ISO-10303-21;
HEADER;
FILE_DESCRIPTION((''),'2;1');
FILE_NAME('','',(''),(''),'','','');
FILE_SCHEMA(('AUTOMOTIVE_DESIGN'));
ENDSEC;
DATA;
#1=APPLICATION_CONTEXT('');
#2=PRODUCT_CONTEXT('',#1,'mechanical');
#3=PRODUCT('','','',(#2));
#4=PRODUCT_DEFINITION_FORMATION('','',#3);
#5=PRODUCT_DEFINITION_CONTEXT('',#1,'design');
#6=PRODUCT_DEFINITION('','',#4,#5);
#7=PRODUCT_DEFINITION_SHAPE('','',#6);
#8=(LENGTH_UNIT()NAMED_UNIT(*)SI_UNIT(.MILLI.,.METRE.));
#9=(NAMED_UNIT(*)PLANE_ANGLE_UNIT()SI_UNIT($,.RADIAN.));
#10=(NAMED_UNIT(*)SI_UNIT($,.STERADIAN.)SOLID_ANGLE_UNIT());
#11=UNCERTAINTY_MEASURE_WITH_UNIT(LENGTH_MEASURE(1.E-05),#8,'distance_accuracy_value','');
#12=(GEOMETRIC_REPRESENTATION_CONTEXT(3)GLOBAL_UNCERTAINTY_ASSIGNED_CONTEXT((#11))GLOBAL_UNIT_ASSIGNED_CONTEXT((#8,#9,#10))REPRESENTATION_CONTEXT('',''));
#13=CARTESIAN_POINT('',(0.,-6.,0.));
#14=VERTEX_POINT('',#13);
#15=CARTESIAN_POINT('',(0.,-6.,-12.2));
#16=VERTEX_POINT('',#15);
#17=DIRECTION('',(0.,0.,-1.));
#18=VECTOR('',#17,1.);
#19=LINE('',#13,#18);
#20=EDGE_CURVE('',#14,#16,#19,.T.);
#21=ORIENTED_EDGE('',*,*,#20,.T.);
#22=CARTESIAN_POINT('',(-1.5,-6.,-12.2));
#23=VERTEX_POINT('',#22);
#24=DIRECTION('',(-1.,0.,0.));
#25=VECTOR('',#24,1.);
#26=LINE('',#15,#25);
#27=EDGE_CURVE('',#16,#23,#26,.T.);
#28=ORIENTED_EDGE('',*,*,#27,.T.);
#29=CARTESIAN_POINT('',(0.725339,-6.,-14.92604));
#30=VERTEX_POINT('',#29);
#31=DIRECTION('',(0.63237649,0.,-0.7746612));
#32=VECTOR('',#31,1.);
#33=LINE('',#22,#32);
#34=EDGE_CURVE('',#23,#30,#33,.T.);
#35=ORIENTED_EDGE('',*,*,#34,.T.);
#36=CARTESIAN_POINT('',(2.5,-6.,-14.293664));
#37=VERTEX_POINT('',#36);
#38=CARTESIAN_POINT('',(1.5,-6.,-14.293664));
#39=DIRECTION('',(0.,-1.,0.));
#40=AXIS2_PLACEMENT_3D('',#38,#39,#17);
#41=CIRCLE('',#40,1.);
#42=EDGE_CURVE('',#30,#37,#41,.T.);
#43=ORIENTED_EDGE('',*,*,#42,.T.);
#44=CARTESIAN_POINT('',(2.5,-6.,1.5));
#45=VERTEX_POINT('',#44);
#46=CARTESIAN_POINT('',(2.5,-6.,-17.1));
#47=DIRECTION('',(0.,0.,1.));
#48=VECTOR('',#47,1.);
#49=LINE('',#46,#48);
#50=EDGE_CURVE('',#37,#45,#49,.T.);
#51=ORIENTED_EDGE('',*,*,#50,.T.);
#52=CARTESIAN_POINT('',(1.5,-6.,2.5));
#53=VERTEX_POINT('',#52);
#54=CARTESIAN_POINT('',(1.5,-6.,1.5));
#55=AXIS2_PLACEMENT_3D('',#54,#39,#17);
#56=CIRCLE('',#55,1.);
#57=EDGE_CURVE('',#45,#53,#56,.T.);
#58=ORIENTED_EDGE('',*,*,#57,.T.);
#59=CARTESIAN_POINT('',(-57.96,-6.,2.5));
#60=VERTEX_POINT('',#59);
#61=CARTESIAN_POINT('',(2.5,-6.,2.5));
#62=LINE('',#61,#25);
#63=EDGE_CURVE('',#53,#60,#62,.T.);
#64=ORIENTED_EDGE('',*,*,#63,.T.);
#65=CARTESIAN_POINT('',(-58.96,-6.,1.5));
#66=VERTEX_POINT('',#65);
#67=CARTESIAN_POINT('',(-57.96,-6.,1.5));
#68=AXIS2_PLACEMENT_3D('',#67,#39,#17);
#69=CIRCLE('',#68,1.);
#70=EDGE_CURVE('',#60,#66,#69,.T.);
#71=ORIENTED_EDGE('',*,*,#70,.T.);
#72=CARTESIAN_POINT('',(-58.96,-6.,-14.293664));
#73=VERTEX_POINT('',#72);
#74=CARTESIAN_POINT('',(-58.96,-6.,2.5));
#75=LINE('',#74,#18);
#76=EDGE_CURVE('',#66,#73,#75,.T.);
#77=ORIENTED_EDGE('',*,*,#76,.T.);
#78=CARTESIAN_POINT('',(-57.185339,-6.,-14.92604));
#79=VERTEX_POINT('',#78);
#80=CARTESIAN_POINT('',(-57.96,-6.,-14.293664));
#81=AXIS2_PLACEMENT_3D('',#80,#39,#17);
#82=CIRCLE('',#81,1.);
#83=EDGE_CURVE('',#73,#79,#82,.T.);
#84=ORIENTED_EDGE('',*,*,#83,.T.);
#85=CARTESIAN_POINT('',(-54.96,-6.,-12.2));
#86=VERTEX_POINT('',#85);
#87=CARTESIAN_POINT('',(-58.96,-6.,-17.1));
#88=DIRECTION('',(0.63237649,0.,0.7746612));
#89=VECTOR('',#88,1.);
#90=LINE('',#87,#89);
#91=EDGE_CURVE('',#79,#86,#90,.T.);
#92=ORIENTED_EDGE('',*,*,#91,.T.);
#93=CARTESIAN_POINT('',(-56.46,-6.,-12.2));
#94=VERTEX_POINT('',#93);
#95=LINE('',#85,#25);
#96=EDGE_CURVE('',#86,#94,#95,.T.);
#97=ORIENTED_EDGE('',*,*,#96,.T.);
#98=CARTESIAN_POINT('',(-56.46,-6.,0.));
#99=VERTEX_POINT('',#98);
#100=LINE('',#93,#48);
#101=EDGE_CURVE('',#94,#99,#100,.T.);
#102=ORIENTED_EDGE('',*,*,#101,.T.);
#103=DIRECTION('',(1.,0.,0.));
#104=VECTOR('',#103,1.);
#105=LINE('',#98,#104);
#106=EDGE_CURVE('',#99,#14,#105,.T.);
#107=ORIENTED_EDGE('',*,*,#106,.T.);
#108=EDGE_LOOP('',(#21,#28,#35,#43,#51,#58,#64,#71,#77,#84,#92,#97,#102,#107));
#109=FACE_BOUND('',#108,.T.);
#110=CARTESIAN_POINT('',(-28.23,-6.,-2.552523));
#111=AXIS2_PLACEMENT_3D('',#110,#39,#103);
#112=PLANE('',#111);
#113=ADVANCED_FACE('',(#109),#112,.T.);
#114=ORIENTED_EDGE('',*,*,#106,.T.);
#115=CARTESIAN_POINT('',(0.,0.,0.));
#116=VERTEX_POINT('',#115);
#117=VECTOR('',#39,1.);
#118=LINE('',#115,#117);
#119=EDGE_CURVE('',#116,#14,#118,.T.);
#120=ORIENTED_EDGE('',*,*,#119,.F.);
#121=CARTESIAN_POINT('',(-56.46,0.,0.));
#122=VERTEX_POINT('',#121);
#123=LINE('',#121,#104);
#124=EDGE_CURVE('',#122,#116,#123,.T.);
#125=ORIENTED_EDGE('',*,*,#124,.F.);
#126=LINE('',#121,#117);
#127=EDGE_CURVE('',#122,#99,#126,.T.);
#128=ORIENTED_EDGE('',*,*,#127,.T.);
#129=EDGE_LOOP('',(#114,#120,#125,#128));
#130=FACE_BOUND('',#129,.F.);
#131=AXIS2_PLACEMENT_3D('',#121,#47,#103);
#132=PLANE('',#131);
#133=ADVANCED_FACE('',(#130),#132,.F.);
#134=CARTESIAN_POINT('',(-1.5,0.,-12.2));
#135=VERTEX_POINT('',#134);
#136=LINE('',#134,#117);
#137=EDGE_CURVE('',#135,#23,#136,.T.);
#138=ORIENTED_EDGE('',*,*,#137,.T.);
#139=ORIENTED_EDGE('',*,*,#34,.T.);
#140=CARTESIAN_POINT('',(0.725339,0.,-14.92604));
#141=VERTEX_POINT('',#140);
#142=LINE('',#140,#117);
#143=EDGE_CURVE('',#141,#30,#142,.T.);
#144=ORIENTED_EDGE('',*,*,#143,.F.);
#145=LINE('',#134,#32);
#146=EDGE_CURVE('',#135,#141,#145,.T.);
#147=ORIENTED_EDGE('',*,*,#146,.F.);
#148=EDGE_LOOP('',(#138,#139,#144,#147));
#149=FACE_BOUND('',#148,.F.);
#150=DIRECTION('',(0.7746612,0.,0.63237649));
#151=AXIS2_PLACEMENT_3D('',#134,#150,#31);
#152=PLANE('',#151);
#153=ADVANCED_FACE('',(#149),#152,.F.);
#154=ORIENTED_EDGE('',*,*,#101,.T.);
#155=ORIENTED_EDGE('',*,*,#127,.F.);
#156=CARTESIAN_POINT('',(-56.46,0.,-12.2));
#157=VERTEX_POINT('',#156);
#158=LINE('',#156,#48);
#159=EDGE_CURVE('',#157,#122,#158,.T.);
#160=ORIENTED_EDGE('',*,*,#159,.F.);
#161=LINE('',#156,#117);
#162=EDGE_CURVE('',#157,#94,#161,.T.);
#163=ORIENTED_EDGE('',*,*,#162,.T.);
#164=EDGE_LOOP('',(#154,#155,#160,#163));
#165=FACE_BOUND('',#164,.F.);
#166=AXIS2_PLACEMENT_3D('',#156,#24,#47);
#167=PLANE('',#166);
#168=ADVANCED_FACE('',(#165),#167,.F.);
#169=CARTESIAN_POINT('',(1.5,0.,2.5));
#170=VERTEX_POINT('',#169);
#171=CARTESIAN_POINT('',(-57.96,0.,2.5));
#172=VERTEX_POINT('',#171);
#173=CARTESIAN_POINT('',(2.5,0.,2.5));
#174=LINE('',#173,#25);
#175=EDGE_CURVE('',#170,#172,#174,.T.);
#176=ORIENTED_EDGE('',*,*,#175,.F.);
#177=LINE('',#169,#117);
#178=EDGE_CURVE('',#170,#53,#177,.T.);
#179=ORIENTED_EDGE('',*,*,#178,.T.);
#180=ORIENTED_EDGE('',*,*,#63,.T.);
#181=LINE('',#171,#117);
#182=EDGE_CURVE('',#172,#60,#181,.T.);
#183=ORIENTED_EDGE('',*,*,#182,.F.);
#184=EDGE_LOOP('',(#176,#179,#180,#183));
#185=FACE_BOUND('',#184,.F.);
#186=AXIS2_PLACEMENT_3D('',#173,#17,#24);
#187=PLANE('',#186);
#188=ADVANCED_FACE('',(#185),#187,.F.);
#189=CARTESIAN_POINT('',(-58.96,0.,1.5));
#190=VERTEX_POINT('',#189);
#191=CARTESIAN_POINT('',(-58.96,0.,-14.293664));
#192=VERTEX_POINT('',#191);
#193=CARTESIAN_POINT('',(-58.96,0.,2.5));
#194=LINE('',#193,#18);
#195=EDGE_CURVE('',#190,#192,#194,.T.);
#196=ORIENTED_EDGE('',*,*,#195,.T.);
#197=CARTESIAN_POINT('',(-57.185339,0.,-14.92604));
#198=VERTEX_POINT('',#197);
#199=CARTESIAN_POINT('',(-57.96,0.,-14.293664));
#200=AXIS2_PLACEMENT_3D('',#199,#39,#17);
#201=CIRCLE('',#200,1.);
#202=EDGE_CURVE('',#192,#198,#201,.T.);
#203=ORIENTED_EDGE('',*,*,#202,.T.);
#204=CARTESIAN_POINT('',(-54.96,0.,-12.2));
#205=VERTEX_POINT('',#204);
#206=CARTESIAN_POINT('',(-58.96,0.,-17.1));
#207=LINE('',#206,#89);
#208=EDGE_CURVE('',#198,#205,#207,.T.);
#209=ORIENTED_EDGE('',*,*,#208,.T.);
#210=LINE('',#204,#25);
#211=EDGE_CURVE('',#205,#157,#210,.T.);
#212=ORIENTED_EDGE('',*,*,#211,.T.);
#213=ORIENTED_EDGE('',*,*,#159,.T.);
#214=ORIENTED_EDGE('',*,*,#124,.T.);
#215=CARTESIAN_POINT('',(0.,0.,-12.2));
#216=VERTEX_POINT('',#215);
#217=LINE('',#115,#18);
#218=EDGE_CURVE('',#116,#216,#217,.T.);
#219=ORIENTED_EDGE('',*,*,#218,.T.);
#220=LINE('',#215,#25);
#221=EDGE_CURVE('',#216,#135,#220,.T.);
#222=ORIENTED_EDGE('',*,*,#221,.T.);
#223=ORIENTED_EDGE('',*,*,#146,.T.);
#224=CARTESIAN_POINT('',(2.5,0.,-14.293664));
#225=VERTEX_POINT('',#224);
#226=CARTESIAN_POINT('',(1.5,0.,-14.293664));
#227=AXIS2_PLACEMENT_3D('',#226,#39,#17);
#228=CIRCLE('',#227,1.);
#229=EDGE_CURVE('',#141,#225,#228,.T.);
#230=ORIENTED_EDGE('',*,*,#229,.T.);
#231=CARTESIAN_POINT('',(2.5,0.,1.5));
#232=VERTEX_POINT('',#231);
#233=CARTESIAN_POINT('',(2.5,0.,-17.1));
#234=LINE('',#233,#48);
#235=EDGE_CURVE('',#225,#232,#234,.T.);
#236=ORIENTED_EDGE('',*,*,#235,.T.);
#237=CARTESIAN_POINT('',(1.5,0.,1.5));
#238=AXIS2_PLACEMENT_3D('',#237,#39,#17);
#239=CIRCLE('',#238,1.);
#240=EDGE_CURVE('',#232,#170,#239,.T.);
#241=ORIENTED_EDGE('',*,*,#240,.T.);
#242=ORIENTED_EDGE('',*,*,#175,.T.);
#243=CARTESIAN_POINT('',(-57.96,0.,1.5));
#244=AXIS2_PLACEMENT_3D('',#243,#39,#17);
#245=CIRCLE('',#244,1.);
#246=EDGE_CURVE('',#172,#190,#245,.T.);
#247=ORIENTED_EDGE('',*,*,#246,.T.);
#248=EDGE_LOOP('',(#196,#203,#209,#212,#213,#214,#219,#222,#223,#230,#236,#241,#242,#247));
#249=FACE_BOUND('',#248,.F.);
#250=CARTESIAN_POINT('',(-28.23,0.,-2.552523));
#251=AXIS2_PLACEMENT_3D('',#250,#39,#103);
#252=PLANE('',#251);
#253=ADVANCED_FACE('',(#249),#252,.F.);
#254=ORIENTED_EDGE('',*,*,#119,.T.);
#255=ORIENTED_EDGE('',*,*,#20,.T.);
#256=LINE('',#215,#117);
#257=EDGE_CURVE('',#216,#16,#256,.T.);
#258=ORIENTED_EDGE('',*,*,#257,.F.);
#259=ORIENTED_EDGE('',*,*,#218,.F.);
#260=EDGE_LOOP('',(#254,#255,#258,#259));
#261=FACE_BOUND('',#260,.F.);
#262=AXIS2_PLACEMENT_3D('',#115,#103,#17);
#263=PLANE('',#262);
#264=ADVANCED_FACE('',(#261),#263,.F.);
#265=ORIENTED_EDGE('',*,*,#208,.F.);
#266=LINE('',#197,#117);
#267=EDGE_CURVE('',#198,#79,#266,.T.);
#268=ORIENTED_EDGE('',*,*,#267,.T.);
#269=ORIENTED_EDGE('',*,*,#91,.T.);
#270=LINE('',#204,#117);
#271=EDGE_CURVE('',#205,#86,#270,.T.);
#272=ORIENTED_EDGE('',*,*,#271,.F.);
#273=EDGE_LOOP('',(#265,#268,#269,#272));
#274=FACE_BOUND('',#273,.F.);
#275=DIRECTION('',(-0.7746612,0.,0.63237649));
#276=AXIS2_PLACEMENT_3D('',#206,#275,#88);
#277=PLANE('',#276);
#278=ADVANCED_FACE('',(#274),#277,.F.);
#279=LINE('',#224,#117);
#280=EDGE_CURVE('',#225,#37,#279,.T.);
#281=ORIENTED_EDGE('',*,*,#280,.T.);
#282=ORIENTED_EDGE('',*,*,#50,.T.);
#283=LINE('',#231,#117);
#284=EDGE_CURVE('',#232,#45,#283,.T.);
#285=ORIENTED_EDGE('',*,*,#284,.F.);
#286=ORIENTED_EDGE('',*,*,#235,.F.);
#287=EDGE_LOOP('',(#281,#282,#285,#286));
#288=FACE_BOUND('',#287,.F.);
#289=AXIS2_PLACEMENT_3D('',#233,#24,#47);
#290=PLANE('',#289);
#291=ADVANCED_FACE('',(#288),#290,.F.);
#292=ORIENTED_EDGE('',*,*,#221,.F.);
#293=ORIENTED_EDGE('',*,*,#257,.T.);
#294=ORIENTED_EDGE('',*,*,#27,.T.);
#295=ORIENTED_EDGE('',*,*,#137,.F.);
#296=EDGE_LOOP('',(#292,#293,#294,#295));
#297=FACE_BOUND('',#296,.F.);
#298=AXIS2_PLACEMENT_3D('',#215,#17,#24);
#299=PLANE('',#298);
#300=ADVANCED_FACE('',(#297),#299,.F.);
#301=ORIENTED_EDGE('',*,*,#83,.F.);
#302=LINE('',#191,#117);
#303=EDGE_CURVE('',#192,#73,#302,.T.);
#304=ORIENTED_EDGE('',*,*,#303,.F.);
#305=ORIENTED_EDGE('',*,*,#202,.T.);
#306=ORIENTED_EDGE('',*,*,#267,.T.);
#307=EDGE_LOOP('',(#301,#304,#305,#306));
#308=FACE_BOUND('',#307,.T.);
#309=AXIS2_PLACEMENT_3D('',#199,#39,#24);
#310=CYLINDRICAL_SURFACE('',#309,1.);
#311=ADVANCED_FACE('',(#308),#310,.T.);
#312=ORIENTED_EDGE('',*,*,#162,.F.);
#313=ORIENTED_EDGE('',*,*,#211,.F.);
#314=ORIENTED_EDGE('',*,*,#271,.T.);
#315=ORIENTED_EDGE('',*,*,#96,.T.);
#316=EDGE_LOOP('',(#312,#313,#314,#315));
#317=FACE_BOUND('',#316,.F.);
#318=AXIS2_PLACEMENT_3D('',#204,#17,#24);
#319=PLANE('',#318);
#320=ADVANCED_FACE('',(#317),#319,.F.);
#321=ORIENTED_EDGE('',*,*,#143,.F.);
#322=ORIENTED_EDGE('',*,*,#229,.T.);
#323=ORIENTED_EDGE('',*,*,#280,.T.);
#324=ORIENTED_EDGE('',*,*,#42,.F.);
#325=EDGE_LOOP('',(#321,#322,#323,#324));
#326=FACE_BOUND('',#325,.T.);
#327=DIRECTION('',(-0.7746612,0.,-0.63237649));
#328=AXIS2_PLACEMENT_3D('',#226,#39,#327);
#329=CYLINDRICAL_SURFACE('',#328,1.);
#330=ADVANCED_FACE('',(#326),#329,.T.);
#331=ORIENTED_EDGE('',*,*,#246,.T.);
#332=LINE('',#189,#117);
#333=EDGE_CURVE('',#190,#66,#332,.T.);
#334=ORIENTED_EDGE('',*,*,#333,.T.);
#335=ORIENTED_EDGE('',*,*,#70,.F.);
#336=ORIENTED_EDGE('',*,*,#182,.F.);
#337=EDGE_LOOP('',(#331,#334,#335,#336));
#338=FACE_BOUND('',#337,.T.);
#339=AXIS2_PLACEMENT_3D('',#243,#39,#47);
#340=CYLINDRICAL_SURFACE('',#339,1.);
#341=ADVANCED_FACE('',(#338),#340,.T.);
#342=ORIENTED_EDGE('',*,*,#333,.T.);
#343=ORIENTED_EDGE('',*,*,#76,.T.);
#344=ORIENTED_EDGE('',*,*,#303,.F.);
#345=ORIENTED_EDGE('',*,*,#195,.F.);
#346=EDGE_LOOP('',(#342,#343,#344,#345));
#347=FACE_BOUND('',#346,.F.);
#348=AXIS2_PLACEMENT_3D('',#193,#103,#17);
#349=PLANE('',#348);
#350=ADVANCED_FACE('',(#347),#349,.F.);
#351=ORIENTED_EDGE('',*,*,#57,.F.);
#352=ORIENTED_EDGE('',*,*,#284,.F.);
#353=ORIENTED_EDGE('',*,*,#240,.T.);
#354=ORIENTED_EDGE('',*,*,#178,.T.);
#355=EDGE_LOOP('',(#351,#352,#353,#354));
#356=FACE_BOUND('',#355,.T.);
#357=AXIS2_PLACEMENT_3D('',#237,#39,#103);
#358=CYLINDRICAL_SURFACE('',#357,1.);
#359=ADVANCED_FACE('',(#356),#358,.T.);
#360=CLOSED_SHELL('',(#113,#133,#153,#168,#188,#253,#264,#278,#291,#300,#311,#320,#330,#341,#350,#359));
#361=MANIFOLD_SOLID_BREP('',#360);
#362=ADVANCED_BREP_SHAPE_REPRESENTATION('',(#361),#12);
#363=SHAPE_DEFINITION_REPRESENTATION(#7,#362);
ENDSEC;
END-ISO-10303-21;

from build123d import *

# Parameters (mm, degrees)
F1_DEPTH = 6
F2_R     = 1


with BuildPart() as f1:
    # F0 (on Front) → F1 (new body)
    with BuildSketch(Plane.XZ):
        Polygon((0, 0), (0, -12.2), (-1.5, -12.2), (2.5, -17.1), (2.5, 0), (2.5, 2.5), (0, 2.5), (-16.5, 2.5), (-28.23, 2.5), (-39.96, 2.5), (-56.46, 2.5), (-58.96, 2.5), (-58.96, 0), (-58.96, -17.1), (-54.96, -12.2), (-56.46, -12.2), (-56.46, 0), (-46.36, 0), (-28.23, 0), (-10.1, 0), align=None)
    extrude(amount=F1_DEPTH)

    # F2
    f2_edges = [f1.edges().sort_by_distance(p)[0] for p in [
        (-58.96, -3, -17.1),
        (2.5, -3, -17.1),
        (-58.96, -3, 2.5),
        (2.5, -3, 2.5),
    ]]
    fillet(f2_edges, radius=F2_R)


solid = f1.part
